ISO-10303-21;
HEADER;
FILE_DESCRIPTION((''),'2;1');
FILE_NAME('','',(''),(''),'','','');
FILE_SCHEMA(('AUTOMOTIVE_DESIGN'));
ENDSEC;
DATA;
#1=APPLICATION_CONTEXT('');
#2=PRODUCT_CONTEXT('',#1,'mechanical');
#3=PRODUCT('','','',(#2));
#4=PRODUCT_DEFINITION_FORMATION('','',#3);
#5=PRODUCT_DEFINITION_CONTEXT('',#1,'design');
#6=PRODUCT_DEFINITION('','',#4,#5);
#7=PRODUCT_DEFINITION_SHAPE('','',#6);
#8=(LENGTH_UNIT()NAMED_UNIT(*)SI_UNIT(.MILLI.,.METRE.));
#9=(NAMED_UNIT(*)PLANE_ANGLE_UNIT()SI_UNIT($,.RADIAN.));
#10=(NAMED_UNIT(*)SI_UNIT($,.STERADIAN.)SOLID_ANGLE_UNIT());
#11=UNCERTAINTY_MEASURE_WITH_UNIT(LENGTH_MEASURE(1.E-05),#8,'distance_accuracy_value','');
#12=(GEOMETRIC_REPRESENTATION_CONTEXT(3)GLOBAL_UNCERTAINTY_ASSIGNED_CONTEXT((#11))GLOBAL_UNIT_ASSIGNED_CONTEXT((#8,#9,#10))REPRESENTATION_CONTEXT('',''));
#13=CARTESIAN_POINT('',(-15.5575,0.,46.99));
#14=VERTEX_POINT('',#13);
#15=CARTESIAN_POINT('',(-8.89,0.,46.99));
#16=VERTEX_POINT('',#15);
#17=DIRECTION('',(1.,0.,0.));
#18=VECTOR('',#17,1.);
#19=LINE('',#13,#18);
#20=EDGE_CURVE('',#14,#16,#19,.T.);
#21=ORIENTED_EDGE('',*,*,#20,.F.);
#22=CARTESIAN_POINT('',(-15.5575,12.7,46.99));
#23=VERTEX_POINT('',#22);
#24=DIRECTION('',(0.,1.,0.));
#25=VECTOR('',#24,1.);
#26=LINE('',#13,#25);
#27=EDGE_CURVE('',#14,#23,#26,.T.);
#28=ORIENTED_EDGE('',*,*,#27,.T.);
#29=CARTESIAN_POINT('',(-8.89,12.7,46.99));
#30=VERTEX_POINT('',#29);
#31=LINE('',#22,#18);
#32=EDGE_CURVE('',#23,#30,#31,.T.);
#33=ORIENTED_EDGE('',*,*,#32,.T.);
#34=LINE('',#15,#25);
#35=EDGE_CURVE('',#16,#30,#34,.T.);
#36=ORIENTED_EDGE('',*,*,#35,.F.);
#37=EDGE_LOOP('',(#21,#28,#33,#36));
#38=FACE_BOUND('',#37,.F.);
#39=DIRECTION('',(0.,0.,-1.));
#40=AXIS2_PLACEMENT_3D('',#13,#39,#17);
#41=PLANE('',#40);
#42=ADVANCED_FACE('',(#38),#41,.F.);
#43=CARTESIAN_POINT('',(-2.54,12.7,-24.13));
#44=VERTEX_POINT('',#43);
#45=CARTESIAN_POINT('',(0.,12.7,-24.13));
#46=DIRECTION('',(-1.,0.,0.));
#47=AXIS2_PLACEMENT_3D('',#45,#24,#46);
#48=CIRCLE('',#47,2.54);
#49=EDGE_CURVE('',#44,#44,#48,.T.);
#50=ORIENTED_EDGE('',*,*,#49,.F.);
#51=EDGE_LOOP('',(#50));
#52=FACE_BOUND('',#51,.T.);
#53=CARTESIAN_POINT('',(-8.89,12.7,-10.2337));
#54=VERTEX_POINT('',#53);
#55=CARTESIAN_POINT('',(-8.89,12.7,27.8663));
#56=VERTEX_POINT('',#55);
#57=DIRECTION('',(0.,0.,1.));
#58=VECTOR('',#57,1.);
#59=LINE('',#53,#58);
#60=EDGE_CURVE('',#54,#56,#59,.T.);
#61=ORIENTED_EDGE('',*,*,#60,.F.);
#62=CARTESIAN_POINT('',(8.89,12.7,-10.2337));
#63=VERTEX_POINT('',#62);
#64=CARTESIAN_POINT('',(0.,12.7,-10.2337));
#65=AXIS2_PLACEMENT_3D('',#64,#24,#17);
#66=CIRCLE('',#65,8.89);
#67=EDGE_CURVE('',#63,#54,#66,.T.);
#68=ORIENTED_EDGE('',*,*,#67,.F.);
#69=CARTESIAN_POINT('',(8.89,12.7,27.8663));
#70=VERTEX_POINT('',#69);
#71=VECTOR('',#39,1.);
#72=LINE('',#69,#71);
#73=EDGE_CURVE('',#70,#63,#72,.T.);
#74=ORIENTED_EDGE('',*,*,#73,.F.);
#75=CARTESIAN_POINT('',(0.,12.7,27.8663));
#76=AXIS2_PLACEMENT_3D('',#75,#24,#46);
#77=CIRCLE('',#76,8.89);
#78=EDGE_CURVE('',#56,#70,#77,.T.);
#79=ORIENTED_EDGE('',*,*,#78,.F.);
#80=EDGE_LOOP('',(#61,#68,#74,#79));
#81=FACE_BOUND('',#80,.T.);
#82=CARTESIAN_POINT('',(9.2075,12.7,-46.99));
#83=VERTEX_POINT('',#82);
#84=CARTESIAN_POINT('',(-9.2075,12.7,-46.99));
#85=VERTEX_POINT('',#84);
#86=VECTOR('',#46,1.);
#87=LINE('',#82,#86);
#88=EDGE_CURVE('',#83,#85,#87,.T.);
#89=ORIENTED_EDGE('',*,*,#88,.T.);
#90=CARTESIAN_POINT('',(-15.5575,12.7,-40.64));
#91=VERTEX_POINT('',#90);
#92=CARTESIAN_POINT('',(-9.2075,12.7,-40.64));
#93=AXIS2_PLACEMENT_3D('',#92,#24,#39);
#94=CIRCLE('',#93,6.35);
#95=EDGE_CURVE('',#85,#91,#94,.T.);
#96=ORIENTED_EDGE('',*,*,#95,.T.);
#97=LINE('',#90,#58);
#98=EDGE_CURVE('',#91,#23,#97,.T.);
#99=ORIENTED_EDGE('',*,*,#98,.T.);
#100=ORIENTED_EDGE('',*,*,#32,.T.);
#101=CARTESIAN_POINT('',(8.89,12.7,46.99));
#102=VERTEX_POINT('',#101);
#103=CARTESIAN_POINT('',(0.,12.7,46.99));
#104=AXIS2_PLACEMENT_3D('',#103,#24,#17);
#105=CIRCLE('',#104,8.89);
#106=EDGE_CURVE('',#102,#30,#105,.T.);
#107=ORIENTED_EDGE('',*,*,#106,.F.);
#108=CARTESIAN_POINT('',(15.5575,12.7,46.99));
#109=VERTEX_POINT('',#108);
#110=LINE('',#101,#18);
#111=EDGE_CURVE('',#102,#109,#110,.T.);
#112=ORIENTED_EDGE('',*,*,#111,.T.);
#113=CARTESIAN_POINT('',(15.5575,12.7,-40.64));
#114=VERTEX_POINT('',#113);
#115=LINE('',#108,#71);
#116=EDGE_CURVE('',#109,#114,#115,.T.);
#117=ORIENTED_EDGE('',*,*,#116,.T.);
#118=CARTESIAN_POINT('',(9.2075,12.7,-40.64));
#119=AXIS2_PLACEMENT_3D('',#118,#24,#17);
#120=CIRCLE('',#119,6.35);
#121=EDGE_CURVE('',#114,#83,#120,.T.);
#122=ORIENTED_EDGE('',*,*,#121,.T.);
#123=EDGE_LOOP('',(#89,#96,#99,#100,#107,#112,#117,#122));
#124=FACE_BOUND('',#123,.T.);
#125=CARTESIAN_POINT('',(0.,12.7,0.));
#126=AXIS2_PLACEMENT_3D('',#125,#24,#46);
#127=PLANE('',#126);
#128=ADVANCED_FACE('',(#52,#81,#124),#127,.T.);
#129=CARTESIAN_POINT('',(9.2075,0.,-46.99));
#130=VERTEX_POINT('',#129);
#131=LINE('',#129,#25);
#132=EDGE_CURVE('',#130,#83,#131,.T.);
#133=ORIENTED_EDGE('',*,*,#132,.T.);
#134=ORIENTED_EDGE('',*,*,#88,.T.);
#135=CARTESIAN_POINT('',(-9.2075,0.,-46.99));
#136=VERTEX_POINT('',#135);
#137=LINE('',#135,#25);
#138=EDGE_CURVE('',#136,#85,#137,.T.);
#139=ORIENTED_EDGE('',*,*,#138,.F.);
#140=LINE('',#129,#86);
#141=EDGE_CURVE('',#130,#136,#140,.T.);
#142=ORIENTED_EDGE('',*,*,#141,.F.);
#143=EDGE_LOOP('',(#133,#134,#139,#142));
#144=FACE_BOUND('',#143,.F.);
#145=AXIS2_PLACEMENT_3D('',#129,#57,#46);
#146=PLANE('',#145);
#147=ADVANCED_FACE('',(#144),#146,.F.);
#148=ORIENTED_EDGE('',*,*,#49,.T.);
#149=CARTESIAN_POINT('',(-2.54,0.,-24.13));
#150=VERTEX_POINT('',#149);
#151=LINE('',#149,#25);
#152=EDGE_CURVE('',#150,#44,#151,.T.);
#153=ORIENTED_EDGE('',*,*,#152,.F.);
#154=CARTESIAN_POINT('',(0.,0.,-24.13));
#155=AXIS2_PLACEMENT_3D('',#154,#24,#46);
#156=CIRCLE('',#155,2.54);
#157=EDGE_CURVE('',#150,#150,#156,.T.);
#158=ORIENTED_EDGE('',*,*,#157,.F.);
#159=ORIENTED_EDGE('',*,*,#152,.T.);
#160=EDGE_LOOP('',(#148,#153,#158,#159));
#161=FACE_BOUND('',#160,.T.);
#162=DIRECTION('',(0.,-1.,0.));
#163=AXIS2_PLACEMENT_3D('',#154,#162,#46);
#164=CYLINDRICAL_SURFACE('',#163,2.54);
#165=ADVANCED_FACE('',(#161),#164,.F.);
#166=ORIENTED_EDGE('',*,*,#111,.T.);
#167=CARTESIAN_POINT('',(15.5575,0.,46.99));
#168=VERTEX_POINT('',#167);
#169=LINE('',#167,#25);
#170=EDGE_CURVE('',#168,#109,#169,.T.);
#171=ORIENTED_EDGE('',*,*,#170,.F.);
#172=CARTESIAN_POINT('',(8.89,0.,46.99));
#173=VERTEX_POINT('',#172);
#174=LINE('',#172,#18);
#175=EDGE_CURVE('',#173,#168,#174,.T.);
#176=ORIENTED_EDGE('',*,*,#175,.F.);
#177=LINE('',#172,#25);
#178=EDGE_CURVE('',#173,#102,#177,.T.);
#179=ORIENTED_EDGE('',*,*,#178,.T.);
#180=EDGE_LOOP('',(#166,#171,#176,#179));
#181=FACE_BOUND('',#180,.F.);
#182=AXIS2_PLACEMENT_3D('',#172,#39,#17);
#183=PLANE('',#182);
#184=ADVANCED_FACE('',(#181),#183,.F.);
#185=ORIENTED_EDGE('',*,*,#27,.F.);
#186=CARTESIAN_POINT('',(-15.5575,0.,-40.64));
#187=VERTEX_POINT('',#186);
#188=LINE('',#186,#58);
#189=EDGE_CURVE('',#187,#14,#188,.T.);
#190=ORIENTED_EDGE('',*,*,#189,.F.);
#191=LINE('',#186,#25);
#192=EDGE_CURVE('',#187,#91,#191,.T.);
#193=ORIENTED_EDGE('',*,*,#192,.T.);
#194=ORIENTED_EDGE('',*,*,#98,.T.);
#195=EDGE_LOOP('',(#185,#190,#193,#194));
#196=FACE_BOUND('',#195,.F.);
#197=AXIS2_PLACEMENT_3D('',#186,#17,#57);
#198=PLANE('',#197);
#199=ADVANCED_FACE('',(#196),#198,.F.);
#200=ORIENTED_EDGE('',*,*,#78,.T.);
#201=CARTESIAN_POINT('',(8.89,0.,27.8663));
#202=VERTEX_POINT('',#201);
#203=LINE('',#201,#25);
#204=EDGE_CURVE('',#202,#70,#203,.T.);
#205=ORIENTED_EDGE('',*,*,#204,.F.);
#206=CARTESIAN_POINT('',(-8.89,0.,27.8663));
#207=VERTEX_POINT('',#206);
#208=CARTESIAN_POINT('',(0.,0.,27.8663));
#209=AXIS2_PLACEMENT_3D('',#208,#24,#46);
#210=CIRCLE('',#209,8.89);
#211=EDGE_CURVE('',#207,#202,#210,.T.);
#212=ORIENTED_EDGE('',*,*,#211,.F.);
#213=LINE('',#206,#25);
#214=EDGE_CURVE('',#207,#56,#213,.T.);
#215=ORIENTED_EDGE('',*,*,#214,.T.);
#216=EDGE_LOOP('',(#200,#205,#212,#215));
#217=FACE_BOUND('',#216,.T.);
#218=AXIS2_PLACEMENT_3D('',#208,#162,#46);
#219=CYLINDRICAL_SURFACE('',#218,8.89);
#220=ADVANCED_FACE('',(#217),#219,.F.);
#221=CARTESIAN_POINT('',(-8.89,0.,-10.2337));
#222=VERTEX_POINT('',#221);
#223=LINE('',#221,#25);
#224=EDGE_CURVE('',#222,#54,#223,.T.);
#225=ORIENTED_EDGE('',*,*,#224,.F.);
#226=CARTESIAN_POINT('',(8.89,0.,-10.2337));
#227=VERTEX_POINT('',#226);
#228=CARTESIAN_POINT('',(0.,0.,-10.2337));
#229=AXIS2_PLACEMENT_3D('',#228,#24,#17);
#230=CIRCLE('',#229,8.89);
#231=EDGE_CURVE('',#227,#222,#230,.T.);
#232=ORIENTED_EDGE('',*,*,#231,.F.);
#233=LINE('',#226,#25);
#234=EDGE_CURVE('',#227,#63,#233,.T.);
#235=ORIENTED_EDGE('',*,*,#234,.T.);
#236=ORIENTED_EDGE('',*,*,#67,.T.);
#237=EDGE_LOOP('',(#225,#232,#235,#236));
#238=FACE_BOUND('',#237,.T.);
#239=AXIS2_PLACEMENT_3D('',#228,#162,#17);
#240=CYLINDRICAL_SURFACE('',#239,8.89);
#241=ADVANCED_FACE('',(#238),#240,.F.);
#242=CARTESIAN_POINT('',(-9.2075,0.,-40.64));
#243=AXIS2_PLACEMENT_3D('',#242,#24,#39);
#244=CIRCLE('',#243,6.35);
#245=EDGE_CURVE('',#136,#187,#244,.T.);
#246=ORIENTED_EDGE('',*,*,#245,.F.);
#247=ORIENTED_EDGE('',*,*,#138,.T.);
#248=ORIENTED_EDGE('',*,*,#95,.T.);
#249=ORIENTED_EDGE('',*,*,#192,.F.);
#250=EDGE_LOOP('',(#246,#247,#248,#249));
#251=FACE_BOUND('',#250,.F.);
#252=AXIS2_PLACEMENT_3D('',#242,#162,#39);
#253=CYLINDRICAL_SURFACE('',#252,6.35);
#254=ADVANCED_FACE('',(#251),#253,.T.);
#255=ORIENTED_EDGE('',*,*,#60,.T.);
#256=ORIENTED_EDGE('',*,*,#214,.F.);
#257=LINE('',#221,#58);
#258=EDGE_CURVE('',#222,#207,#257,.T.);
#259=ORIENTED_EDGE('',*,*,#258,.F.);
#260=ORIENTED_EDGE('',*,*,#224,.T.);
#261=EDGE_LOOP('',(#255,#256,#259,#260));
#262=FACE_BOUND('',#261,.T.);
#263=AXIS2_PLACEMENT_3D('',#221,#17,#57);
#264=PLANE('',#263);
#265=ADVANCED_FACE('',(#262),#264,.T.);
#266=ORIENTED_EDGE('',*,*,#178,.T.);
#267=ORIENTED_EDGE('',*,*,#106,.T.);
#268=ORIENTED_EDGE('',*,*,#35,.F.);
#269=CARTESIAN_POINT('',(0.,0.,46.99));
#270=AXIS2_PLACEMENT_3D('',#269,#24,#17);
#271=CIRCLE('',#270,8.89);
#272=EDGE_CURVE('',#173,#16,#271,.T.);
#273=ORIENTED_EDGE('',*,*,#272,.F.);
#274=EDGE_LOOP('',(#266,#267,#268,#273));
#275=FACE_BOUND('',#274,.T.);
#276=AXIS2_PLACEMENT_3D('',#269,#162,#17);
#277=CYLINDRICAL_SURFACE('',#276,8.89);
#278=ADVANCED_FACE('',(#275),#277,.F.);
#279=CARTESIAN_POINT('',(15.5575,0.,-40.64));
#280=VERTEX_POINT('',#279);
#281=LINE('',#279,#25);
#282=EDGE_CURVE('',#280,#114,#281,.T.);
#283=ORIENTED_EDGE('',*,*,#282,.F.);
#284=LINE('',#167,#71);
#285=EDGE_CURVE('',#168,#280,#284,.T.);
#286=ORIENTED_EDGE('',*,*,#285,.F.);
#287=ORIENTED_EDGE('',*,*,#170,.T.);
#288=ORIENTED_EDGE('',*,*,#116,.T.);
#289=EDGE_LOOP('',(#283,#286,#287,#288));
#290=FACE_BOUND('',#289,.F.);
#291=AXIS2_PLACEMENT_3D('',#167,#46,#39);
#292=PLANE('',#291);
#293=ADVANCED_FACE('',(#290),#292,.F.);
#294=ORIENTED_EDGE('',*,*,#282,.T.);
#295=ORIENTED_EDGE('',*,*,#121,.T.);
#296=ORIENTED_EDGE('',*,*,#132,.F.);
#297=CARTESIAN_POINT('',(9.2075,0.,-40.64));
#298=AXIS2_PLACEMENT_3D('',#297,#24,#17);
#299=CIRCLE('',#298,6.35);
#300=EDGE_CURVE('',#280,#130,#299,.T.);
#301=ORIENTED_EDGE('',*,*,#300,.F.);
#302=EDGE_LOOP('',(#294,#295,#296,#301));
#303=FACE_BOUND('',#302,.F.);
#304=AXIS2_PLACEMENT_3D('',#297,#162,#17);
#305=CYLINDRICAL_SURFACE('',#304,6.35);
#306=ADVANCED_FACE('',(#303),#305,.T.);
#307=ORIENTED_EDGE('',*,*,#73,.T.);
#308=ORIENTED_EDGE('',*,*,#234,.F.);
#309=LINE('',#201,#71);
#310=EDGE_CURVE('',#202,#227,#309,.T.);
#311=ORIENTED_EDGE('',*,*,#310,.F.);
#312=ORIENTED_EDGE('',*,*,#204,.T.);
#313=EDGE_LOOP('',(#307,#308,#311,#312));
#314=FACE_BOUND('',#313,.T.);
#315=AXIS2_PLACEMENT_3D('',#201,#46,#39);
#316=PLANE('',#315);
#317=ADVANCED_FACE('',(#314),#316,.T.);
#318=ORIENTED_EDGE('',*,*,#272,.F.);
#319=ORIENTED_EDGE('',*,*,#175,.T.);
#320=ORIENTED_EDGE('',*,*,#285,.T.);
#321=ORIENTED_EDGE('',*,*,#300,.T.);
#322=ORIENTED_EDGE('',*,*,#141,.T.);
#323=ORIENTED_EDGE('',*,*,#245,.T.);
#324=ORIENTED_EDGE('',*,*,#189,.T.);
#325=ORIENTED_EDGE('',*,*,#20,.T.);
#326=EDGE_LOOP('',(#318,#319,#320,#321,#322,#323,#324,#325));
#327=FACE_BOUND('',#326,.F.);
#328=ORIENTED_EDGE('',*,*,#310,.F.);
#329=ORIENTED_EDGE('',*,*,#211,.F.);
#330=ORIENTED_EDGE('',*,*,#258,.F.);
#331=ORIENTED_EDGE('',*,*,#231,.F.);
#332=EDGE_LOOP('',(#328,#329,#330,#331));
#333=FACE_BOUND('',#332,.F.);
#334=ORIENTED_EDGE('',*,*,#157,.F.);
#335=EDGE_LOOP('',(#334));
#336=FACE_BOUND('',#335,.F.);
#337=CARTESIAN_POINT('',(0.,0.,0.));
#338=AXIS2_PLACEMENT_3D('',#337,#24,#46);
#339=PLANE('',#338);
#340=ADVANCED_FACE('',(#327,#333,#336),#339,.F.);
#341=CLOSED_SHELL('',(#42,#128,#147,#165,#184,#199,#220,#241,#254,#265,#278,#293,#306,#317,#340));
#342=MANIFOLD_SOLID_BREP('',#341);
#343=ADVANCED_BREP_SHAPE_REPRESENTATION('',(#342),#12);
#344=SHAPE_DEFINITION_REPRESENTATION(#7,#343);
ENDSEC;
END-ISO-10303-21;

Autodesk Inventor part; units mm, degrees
ref_plane "YZ Plane" through (0, 0, 0) normal (1, 0, 0) x (0, 1, 0)
ref_plane "XZ Plane" through (0, 0, 0) normal (0, 1, 0) x (-1, 0, 0)
ref_plane "XY Plane" through (0, 0, 0) normal (0, 0, 1) x (1, 0, 0)
sketch "Sketch1" plane through (0, 0, 0) normal (0, 1, 0) x (-1, 0, 0)
  line L0 (-9.2075, -46.99) -> (9.2075, -46.99)
  line L1 (15.5575, -40.64) -> (15.5575, 46.99)
  line L2 (-15.5575, 46.99) -> (-15.5575, -40.64)
  line L3 (-15.5575, -46.99) -> (15.5575, 46.99) construction
  line L4 (15.5575, -46.99) -> (-15.5575, 46.99) construction
  circle A0 centre (0, -24.13) radius 2.54
  line L5 (8.89, -10.2337) -> (8.89, 27.8663)
  line L6 (-8.89, 27.8663) -> (-8.89, -10.2337)
  line L7 (-8.89, -10.2337) -> (8.89, 27.8663) construction
  line L8 (8.89, -10.2337) -> (-8.89, 27.8663) construction
  arc A1 (8.89, 27.8663) -> (-8.89, 27.8663) centre (0, 27.8663) ccw
  arc A2 (-8.89, -10.2337) -> (8.89, -10.2337) centre (0, -10.2337) ccw
  arc A3 (-8.89, 46.99) -> (8.89, 46.99) centre (0, 46.99) ccw
  line L9 (15.5575, 46.99) -> (8.89, 46.99)
  line L10 (-8.89, 46.99) -> (-15.5575, 46.99)
  arc A4 (9.2075, -46.99) -> (15.5575, -40.64) centre (9.2075, -40.64) ccw
  arc A5 (-15.5575, -40.64) -> (-9.2075, -46.99) centre (-9.2075, -40.64) ccw
  point P0 (0, 0)
  point P1 (0, 8.8163)
  dimension "d0" = 93.98
  dimension "d1" = 31.115
  dimension "d2" = 22.86
  dimension "d3" = 5.08
  dimension "d4" = 38.1
  dimension "d5" = 17.78
  dimension "d6" = 17.78
  dimension "d7" = 6.35
extrude "Extrusion1" add sketch "Sketch1" along normal blind 12.7
equation "\"d6\" = d5"
properties part number "Fixture_Slide_Lock_Plate"
